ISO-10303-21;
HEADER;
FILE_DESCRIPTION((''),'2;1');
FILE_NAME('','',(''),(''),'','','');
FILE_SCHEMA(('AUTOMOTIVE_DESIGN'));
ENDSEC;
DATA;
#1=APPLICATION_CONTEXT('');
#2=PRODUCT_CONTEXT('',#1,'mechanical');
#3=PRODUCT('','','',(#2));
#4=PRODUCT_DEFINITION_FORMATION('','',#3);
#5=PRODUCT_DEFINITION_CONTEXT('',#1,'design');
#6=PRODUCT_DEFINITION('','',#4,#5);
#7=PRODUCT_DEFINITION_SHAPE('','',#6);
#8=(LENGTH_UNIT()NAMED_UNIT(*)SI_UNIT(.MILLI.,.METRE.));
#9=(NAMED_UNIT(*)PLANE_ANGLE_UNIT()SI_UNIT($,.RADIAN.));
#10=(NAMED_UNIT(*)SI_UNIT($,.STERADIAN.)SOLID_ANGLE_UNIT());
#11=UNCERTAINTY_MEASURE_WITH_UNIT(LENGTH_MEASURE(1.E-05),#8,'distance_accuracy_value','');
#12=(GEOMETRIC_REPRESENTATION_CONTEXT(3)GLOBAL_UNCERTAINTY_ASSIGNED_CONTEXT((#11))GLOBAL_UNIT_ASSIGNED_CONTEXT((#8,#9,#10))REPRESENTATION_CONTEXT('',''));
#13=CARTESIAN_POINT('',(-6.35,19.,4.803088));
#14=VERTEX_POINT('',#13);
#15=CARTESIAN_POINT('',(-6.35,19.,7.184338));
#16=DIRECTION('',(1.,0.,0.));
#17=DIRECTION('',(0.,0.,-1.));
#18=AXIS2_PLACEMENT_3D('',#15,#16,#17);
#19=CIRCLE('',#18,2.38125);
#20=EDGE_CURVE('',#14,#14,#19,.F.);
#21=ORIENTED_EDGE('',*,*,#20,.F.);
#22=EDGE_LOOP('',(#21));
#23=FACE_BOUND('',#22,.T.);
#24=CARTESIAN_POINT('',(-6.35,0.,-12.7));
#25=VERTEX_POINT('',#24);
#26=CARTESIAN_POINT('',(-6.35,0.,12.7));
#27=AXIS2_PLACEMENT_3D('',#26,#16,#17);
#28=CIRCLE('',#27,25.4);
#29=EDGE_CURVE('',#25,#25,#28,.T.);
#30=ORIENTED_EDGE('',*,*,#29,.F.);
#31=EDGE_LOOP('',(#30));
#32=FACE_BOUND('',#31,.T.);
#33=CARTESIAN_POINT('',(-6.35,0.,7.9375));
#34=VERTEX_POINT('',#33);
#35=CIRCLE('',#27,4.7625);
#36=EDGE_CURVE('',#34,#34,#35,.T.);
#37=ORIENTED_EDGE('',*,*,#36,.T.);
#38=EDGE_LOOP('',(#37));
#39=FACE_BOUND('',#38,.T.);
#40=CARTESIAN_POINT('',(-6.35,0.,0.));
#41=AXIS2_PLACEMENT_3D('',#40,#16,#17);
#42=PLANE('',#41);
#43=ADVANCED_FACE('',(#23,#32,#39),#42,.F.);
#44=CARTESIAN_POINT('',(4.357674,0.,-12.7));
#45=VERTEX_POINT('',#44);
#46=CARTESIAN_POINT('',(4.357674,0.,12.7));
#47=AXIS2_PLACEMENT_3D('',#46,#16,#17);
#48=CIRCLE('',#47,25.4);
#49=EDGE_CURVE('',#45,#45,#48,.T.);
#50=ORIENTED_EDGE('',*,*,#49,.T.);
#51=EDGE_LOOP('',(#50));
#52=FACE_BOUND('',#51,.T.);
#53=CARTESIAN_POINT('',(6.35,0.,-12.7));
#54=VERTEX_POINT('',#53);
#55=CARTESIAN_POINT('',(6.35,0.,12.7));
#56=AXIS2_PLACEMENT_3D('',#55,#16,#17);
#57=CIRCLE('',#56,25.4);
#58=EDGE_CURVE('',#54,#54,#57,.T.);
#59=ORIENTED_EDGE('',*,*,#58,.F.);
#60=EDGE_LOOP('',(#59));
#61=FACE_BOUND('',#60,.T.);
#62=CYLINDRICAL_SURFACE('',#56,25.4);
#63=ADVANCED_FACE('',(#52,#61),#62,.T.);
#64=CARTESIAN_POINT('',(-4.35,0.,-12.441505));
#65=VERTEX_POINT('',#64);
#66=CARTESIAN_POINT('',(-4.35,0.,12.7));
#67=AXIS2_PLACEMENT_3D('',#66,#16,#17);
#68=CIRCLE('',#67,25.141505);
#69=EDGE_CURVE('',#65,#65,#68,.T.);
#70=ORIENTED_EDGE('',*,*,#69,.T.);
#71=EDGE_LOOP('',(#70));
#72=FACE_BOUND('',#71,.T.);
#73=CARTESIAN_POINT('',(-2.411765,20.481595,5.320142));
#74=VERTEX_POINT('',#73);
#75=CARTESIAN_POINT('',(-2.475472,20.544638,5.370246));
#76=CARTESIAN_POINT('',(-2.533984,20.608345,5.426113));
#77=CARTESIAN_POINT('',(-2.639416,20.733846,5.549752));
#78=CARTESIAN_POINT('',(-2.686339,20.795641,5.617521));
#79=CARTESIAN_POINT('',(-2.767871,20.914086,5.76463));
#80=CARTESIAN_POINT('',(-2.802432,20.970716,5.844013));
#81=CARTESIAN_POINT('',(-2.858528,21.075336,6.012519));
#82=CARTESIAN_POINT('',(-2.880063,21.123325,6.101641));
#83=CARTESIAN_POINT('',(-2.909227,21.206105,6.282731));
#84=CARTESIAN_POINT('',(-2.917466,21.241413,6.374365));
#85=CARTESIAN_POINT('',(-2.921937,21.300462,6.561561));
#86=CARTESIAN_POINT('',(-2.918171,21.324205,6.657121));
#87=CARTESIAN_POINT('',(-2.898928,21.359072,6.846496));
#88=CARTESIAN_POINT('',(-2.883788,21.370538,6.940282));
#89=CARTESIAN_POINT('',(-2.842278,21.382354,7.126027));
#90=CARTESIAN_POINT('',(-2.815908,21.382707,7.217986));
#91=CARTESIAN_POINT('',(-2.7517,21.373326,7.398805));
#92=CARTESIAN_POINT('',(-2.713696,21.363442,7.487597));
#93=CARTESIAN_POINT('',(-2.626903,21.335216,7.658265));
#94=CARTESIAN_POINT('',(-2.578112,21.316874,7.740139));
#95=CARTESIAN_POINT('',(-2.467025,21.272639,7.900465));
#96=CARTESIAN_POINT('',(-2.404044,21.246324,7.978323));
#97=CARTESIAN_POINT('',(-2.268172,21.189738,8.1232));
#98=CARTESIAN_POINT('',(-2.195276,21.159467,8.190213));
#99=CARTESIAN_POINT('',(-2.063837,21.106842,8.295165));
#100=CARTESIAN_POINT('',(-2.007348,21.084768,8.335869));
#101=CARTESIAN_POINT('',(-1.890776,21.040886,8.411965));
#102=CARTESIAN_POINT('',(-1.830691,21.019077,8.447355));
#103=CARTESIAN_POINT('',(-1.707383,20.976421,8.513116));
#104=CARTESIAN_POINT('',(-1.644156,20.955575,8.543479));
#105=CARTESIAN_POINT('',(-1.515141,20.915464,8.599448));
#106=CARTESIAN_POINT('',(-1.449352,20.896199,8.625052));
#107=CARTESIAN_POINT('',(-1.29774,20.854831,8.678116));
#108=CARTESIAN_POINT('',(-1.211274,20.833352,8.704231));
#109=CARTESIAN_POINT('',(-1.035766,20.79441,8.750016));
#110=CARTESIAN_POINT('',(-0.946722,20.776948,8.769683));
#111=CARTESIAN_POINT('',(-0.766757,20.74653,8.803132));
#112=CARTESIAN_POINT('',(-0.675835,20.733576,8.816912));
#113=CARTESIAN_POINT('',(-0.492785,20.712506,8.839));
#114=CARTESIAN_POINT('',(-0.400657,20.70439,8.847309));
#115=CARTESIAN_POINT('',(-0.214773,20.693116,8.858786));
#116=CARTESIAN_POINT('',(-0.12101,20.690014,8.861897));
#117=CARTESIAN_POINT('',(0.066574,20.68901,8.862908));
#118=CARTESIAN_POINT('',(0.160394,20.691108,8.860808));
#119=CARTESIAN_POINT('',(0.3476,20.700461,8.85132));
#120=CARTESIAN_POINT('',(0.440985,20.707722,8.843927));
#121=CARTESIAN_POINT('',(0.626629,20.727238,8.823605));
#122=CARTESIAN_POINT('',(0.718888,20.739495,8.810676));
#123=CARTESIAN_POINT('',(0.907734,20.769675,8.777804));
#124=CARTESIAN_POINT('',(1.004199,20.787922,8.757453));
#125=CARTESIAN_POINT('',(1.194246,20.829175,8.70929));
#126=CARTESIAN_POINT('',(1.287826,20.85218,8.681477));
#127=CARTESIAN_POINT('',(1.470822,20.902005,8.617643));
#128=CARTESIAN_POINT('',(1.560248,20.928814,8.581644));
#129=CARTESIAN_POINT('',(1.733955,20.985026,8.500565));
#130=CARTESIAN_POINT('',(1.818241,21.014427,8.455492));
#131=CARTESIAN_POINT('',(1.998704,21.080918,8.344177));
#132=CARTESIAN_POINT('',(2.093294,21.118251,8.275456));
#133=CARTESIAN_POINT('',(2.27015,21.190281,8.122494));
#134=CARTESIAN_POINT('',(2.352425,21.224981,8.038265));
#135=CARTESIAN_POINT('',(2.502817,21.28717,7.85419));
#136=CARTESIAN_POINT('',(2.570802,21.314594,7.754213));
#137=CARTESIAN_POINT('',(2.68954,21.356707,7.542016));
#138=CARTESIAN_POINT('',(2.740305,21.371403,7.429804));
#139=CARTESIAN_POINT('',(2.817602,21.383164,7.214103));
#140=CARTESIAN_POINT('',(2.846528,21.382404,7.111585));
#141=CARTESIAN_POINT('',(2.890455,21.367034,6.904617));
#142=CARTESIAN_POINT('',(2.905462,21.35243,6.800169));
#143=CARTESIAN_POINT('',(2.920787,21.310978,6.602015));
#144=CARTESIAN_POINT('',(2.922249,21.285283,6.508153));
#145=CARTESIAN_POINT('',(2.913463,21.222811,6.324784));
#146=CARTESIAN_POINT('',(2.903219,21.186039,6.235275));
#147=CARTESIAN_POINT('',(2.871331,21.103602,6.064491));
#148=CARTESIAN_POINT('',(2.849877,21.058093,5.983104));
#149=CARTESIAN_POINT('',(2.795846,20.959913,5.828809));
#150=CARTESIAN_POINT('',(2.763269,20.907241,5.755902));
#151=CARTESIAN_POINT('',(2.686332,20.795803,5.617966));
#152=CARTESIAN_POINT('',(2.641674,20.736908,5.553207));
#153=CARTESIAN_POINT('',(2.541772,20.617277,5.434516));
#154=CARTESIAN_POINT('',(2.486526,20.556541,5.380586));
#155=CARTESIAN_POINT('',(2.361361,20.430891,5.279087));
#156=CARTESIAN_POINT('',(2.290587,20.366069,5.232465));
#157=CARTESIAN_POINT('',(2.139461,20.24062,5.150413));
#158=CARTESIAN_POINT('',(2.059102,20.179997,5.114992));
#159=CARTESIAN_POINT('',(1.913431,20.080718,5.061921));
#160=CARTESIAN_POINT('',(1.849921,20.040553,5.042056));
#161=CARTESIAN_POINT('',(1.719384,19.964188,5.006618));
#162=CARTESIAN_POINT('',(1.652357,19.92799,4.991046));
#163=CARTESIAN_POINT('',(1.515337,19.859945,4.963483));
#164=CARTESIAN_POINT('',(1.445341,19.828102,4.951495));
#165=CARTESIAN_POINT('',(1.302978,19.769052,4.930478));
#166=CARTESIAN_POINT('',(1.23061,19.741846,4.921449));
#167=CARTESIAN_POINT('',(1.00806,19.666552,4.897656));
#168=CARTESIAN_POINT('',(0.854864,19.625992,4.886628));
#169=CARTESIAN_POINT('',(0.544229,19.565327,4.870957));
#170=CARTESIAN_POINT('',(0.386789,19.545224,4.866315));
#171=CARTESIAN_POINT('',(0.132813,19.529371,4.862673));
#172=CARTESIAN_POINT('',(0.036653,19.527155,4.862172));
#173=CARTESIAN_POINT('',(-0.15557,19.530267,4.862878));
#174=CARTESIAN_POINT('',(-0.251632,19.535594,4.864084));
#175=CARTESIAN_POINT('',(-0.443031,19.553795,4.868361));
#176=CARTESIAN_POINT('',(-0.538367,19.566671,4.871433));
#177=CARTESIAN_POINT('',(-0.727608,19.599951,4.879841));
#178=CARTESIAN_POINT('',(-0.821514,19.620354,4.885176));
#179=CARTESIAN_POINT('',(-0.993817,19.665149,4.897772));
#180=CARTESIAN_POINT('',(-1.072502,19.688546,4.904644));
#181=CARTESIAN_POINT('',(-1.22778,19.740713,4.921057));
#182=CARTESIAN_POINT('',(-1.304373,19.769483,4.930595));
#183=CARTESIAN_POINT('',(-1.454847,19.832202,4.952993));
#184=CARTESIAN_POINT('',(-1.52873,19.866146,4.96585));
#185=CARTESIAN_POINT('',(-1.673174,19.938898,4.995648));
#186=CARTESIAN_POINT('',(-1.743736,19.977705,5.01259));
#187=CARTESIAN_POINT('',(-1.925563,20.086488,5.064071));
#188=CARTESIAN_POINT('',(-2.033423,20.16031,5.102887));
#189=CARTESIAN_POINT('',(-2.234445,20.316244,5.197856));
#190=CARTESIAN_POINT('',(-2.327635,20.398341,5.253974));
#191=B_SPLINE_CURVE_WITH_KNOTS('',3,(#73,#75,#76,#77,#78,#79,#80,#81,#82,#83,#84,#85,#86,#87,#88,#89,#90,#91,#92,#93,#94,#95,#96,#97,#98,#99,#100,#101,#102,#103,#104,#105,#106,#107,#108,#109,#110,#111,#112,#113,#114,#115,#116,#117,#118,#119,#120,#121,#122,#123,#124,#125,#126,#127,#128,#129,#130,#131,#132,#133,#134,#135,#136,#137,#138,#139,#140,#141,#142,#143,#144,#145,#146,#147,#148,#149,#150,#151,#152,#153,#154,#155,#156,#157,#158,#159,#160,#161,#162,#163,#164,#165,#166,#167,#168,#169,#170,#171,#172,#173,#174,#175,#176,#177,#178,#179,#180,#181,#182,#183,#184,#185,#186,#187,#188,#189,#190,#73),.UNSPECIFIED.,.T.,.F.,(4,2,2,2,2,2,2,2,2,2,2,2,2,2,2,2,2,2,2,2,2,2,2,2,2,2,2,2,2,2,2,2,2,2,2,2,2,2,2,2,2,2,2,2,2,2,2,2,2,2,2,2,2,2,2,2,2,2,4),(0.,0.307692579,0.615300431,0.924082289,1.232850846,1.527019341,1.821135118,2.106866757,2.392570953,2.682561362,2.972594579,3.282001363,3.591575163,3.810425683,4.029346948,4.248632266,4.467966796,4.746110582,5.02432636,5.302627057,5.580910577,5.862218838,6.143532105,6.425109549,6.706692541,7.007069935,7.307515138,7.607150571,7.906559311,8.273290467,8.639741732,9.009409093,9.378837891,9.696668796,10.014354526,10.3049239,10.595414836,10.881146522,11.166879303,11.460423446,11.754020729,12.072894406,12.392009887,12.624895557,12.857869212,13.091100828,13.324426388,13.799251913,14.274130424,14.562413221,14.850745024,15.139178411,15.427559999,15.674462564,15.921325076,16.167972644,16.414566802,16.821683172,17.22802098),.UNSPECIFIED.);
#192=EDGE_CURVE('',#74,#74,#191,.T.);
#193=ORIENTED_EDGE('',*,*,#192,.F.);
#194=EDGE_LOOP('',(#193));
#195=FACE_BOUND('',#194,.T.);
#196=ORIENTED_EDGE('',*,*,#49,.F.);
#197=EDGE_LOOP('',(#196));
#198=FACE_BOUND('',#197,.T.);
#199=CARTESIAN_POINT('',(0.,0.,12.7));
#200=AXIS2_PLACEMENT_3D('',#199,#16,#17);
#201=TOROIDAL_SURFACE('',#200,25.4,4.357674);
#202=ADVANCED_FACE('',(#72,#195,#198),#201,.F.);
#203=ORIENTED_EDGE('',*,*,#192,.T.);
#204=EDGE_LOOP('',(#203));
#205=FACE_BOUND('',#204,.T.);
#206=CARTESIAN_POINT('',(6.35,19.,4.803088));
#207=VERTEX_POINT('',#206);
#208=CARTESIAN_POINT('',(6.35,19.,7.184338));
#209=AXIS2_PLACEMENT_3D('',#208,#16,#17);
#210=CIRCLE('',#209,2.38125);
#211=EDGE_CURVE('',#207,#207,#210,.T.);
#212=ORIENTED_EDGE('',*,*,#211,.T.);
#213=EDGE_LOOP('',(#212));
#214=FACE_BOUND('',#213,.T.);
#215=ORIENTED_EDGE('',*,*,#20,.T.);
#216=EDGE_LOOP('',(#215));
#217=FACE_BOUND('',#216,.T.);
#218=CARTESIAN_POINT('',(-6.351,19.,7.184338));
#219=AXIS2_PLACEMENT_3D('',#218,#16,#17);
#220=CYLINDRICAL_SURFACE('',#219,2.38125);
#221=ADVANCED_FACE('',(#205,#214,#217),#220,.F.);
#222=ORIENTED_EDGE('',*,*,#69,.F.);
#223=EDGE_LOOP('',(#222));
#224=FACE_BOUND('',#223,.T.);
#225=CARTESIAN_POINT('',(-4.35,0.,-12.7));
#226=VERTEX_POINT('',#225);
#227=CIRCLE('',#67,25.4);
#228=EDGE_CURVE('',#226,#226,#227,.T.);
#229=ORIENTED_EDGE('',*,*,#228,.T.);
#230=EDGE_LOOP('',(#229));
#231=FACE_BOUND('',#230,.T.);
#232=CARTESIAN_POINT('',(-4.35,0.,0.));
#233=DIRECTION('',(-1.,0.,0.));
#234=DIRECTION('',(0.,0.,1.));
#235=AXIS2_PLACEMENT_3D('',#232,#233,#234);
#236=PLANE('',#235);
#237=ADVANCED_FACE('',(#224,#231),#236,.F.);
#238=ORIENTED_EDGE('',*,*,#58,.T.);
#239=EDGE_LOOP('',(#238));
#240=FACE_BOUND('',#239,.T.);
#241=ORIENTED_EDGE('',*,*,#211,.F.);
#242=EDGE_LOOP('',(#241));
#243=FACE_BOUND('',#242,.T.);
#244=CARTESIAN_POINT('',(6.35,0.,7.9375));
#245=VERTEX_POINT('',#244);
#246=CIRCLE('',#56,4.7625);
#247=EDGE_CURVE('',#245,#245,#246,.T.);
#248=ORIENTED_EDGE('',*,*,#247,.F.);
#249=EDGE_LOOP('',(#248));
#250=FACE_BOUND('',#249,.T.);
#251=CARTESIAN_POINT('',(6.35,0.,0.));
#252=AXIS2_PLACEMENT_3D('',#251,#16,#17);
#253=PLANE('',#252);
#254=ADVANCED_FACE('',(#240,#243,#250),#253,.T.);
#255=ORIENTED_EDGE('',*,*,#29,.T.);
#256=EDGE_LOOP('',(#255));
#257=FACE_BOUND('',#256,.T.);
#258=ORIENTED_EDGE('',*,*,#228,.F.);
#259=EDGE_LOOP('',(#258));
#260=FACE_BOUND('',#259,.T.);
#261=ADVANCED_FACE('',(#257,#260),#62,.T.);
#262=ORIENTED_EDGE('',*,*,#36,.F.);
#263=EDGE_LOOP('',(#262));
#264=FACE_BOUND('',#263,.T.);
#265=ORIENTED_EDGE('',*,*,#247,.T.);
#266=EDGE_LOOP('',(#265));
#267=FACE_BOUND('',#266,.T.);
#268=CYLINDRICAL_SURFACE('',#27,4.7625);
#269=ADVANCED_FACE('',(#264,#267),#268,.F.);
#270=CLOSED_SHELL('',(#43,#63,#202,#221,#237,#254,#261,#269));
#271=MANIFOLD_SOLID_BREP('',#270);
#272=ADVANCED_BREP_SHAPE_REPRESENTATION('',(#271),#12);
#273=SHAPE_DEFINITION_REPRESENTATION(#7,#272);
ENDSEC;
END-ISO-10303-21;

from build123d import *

# Parameters (mm, degrees)
SKETCH3_R          = 4.7625
CUT_EXTRUDE1_DEPTH = 48.519048812
CUT_EXTRUDE2_REACH = 49.519
SKETCH4_R          = 2.38125


with BuildPart() as part:
    # Sketch2 → Revolve1 (revolve)
    with BuildSketch(Plane(origin=(0, 0, 0), x_dir=(1, 0, 0), z_dir=(0, 1, 0))):
        with BuildLine():
            Line((6.35, -12.7), (6.35, 12.7))
            Line((6.35, 12.7), (4.357673642, 12.7))
            ThreePointArc((4.357673642, 12.7), (0.129304347, 8.344245191), (-4.35, 12.441505181))
            Line((-4.35, 12.441505181), (-4.35, 12.7))
            Line((-4.35, 12.7), (-6.35, 12.7))
            Line((-6.35, 12.7), (-6.35, -12.7))
            Line((-6.35, -12.7), (6.35, -12.7))
        make_face()
    revolve(axis=Axis((6.35, 0, 12.7), (-1, 0, 0)))

    # Sketch3 → Cut-Extrude1 (cut, through all)
    with BuildSketch(Plane(origin=(6.35, 0, 0), x_dir=(0, 0, -1), z_dir=(1, 0, 0))):
        with Locations((-12.7, 0)):
            Circle(SKETCH3_R)
    extrude(amount=-CUT_EXTRUDE1_DEPTH, mode=Mode.SUBTRACT)

    # Sketch4 → Cut-Extrude2 (cut, up to next)
    with BuildSketch(Plane(origin=(6.35, 0, 0), x_dir=(0, 0, -1), z_dir=(1, 0, 0)), mode=Mode.PRIVATE) as cut_extrude2_sk1:
        with Locations((-7.184338108, 19)):
            Circle(SKETCH4_R)
    cut_extrude2_tool1 = extrude(cut_extrude2_sk1.sketch, amount=-CUT_EXTRUDE2_REACH, mode=Mode.PRIVATE) & part.part
    add(cut_extrude2_tool1.solids().sort_by_distance((6.35, 19, 7.184338))[0], mode=Mode.SUBTRACT)


solid = part.part
